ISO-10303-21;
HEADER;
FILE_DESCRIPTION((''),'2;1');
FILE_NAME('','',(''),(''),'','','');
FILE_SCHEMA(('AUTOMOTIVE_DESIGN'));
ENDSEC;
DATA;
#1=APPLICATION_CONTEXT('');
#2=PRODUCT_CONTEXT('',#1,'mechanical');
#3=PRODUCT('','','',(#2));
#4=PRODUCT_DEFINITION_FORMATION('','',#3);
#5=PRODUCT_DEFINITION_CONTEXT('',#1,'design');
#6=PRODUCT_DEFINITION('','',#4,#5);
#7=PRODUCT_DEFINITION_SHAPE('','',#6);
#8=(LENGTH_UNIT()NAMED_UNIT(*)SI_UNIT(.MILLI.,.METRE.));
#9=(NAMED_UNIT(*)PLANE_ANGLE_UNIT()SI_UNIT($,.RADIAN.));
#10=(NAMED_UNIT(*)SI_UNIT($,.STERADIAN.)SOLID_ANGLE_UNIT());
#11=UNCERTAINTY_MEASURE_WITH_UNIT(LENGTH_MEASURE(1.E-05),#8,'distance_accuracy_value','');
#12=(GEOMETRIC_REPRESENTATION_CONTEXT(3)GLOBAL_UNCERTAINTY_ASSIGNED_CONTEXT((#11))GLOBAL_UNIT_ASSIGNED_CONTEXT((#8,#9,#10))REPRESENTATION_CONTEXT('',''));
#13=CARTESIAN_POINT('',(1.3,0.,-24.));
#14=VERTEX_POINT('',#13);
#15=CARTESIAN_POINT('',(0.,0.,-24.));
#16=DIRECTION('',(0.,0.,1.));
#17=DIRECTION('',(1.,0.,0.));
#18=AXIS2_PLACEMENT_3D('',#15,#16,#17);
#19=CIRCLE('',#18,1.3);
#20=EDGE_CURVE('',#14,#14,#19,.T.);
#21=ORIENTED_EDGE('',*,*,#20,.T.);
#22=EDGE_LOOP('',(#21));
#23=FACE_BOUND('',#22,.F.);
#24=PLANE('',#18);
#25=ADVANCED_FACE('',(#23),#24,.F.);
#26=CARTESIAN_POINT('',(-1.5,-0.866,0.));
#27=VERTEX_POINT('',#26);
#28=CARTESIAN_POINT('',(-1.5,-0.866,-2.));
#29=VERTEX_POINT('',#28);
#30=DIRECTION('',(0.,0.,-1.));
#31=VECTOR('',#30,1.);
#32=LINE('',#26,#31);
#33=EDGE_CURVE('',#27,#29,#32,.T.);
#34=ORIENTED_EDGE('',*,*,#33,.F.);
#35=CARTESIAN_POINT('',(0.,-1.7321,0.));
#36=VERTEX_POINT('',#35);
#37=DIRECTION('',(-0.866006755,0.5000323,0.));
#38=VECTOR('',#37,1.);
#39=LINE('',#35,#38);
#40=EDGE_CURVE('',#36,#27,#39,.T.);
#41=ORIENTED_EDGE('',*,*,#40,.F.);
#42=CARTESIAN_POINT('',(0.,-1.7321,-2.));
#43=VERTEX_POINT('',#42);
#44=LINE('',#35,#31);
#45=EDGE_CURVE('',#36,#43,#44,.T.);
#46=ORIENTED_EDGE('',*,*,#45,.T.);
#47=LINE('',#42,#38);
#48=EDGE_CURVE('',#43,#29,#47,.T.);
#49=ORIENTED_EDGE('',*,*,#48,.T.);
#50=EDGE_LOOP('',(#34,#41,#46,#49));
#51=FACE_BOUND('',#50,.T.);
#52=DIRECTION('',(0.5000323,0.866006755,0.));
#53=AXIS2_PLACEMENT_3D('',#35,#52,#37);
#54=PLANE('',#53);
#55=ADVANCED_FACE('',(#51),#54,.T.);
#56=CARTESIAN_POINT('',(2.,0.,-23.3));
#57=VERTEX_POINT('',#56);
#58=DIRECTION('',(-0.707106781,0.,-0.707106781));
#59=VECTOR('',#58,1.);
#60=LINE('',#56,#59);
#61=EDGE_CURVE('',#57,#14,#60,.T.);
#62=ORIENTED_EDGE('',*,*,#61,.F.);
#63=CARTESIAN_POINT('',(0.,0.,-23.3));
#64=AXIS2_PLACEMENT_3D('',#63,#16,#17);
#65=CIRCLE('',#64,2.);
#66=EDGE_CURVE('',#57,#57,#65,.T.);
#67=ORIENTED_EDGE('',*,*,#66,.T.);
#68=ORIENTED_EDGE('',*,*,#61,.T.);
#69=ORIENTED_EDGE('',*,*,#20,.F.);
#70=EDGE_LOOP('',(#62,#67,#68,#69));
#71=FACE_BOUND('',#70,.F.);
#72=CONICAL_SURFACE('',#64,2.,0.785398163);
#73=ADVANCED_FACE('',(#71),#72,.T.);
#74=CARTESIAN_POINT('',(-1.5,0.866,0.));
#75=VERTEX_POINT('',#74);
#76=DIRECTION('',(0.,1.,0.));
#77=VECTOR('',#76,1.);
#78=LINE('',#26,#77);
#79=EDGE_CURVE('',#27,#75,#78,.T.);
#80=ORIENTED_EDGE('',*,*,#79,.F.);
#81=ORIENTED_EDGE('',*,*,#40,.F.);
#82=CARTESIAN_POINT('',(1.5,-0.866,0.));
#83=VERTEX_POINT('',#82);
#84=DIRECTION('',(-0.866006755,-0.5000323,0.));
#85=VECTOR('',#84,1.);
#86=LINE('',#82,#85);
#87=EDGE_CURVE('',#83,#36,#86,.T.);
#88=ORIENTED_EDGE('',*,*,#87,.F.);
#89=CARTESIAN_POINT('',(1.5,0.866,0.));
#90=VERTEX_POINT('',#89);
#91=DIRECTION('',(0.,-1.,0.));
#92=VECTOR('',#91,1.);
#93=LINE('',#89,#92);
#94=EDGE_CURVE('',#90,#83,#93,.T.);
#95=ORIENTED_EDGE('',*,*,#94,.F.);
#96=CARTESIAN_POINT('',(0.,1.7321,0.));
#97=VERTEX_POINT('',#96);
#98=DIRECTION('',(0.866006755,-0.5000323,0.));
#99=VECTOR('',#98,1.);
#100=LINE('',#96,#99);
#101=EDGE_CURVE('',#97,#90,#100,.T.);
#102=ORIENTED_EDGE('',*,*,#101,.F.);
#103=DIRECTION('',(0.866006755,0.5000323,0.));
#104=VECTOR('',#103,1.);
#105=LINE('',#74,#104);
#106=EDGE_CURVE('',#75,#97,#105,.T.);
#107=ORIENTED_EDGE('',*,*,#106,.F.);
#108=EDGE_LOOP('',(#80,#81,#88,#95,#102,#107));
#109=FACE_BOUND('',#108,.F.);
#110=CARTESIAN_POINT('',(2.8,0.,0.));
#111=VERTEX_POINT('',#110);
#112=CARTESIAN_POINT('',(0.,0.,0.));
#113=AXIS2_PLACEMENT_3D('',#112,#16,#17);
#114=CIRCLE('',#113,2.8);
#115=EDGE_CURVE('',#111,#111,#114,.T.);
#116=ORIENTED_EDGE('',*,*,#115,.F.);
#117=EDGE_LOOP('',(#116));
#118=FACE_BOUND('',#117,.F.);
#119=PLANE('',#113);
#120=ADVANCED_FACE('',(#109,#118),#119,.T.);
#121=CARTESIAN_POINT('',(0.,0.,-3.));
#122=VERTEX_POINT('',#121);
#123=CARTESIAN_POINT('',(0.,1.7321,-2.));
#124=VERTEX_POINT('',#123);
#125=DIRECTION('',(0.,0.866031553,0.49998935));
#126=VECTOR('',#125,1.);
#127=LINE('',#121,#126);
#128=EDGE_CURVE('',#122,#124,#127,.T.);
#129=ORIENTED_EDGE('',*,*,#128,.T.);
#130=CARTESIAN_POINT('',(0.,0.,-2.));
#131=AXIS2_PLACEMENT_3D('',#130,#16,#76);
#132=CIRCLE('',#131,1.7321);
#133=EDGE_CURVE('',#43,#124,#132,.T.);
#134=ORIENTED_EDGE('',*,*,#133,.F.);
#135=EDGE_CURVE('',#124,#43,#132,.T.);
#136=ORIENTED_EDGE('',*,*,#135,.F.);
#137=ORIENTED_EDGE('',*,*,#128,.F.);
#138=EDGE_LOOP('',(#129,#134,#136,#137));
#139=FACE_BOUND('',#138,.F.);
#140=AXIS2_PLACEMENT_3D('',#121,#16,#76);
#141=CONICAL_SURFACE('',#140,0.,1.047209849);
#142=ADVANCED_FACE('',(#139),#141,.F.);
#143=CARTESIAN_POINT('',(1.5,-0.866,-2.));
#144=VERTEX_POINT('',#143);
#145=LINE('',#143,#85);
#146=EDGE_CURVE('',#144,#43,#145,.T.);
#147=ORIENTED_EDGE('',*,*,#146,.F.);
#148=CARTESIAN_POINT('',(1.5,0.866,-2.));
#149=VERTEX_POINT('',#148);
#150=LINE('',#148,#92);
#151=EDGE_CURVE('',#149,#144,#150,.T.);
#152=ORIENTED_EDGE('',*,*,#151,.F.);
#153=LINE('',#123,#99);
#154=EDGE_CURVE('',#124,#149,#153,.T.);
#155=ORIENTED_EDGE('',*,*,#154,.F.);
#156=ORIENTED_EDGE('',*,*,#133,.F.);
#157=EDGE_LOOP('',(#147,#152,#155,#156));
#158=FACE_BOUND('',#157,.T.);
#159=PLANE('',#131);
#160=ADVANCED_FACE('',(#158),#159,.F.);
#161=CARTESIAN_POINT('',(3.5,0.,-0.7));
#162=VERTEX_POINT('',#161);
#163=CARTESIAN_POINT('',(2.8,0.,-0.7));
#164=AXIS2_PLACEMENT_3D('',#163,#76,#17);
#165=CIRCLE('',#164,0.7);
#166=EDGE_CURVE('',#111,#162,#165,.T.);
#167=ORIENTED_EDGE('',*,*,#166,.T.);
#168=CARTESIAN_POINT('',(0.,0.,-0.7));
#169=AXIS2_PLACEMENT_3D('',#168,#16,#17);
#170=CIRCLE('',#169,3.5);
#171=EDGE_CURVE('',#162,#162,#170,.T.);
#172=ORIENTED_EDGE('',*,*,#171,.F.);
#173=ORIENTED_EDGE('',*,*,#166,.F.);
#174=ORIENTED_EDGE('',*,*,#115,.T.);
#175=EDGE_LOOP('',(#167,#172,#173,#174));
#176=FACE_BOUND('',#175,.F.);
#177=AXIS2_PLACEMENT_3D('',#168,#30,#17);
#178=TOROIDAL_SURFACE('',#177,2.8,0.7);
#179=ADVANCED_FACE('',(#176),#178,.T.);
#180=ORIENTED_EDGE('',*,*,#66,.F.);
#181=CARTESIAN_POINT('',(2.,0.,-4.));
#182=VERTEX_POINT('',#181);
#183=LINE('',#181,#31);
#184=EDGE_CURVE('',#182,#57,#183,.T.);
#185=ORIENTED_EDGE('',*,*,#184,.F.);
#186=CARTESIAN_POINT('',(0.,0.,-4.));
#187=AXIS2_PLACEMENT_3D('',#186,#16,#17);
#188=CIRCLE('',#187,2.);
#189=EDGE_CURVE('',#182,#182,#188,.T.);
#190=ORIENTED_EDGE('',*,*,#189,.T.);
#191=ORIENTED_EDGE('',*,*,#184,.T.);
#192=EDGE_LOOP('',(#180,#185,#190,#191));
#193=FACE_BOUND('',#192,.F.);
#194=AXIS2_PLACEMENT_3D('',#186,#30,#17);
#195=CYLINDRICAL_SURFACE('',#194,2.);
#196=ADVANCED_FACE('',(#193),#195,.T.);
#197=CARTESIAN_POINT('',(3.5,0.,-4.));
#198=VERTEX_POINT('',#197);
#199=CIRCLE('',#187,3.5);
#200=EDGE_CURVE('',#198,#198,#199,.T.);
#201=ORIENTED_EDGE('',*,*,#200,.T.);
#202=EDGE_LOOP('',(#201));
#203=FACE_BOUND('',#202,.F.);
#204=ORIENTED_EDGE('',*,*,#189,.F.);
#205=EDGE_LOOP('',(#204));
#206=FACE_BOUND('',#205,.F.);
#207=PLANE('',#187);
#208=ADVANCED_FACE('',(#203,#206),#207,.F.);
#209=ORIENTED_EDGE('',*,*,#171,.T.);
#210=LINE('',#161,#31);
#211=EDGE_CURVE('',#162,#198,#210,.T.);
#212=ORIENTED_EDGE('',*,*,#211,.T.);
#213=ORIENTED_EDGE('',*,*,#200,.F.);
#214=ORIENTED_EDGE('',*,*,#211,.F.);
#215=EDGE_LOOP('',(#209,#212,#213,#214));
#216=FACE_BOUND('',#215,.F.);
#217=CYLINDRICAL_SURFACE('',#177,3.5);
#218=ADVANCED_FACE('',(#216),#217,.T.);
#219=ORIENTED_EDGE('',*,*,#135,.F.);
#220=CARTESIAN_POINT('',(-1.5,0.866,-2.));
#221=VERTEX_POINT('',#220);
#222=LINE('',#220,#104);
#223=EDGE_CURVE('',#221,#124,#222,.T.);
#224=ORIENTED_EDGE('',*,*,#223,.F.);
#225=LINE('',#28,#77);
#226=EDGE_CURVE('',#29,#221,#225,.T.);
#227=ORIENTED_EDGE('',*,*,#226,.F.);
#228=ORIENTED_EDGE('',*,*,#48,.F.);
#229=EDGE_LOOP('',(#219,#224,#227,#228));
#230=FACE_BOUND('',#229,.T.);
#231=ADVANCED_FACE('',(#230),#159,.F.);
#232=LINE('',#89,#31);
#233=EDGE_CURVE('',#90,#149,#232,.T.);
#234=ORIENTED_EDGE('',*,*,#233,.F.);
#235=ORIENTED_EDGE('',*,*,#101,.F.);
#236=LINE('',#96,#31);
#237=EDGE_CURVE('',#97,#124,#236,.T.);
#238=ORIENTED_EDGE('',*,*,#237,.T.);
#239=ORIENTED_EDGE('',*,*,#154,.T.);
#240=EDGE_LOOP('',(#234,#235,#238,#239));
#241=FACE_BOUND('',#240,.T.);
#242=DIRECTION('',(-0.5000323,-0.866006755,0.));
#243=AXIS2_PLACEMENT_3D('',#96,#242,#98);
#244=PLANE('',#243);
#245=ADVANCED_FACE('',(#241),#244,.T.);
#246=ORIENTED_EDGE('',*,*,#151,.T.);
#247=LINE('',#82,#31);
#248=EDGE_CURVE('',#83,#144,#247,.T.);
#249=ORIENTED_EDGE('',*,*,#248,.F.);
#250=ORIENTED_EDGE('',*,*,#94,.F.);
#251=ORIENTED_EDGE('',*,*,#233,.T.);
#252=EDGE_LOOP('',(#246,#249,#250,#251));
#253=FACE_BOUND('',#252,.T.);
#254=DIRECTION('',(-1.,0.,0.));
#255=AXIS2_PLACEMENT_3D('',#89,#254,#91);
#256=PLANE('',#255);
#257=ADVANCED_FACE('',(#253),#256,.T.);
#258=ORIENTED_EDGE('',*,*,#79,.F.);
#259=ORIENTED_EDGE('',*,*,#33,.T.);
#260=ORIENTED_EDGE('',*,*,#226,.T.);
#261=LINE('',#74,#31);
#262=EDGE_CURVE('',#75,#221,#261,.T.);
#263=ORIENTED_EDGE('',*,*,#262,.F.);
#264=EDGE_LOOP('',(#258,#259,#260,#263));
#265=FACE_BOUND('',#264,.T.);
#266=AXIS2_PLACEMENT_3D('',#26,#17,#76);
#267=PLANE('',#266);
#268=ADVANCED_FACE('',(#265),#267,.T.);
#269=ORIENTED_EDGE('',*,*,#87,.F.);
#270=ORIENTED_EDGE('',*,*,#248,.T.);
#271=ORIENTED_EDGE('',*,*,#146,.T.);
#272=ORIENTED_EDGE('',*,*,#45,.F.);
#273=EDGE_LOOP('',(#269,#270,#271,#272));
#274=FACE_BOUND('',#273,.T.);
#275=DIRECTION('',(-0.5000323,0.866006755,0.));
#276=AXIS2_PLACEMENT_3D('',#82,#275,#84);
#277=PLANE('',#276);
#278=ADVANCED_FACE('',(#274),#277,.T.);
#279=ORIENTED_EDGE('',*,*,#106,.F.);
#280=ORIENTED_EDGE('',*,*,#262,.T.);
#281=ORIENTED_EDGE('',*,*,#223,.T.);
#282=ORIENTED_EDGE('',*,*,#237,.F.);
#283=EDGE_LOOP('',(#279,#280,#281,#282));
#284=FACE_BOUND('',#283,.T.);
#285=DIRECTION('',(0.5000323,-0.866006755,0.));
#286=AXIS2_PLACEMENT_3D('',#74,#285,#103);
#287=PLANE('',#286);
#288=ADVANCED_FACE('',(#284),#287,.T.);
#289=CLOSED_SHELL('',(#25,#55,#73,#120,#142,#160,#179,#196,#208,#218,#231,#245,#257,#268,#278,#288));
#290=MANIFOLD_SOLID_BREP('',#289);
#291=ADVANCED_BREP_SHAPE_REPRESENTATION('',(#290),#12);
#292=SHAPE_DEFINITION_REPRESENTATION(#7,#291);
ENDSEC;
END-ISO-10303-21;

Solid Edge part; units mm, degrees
sketch "Sketch1" plane through (0, 0, 0) normal (0, -1, 0) x (1, 0, 0)
  line L0 (0, 0) -> (2.8, 0)
  arc A0 (2.8, 0) -> (3.5, -0.7) centre (2.8, -0.7) cw
  line L1 (3.5, -0.7) -> (3.5, -4)
  line L2 (3.5, -4) -> (2, -4)
  line L3 (2, -4) -> (2, -23.3)
  line L4 (2, -23.3) -> (1.3, -24)
  line L5 (1.3, -24) -> (0, -24)
revolve "RevolvedProtrusion1" add sketch "Sketch1" angle 360 about axis through (0, 0, -24) along (0, 0, 1)
sketch "Sketch2" plane through (0, 0, 0) normal (0, 0, 1) x (1, 0, 0)
  line L0 (-1.5, -0.866) -> (-1.5, 0.866)
  line L1 (-1.5, 0.866) -> (0, 1.7321)
  line L2 (0, 1.7321) -> (1.5, 0.866)
  line L3 (1.5, 0.866) -> (1.5, -0.866)
  line L4 (1.5, -0.866) -> (0, -1.7321)
  line L5 (0, -1.7321) -> (-1.5, -0.866)
extrude "Cutout1" cut sketch "Sketch2" against normal blind 2
sketch "Sketch3" plane through (0, 0, 0) normal (1, 0, 0) x (0, 1, 0)
  line L0 (0, -3) -> (1.7321, -2)
  line L1 (0, -2) -> (1.7321, -2)
  line L2 (0, -2) -> (0, -3)
revolve "RevolvedCutout1" cut sketch "Sketch3" angle 360 about axis through (0, 0, -60.325) along (0, 0, 1)
cosmetic_thread "Thread1" size "M4"
